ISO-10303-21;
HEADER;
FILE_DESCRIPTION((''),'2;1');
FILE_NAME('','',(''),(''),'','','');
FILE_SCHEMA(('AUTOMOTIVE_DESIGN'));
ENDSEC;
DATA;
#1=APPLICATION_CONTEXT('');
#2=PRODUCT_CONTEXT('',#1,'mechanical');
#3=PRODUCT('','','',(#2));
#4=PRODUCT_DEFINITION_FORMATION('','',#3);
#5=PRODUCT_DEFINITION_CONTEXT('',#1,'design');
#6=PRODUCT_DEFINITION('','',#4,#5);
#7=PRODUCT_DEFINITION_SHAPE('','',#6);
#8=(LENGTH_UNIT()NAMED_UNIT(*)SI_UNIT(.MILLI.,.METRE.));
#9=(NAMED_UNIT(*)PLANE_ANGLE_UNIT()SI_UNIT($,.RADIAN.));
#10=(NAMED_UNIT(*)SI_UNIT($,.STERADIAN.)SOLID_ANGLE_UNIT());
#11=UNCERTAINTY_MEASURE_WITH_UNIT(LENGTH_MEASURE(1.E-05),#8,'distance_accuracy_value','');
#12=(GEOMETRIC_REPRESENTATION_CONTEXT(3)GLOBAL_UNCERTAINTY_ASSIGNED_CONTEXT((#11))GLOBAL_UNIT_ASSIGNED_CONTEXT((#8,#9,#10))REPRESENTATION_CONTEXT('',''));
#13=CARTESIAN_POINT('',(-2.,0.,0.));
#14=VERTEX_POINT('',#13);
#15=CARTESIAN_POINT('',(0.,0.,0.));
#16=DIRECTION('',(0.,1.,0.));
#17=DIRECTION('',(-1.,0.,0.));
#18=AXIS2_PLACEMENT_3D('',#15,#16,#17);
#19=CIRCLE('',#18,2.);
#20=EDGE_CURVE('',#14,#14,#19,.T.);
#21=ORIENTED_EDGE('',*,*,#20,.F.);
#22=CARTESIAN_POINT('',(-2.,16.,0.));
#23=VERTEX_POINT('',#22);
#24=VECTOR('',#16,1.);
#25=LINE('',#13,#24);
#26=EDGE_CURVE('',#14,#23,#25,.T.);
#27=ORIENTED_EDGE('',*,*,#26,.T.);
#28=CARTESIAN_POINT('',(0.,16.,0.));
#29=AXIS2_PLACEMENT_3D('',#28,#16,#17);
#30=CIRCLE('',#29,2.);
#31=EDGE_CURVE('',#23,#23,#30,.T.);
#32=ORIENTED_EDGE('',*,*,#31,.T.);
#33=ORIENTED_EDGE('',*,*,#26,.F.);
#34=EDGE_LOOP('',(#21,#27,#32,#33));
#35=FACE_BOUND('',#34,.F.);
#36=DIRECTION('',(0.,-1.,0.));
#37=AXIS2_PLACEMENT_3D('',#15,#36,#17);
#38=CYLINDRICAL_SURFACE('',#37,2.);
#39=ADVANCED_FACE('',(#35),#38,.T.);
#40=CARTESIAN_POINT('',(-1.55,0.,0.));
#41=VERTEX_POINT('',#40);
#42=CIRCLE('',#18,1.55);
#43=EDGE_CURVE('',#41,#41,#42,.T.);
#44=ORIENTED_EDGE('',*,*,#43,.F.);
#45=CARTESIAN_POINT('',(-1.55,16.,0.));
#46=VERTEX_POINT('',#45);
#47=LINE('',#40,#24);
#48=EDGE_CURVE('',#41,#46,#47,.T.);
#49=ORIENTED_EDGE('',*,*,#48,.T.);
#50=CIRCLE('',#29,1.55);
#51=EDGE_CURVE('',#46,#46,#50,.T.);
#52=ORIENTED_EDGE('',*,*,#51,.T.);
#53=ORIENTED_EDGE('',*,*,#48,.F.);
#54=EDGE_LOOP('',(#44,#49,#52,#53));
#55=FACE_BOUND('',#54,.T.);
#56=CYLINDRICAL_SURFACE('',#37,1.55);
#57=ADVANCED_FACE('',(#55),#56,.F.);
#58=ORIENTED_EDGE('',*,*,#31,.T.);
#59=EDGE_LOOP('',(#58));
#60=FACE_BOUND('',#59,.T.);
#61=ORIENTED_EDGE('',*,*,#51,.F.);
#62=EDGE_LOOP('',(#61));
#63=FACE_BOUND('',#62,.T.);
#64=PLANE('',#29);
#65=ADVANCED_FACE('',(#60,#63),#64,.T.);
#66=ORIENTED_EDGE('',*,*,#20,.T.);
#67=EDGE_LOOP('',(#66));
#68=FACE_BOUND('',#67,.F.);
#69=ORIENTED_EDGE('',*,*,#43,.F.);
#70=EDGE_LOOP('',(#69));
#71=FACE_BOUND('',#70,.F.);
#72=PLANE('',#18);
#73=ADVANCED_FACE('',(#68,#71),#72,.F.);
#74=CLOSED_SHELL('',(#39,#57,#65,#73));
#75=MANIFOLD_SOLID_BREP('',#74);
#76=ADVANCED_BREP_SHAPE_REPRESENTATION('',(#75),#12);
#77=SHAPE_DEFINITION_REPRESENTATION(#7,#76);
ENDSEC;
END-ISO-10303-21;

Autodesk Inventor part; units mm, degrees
ref_plane "YZ Plane" through (0, 0, 0) normal (1, 0, 0) x (0, 1, 0)
ref_plane "XZ Plane" through (0, 0, 0) normal (0, 1, 0) x (-1, 0, 0)
ref_plane "XY Plane" through (0, 0, 0) normal (0, 0, 1) x (1, 0, 0)
sketch "Náčrt1" plane through (0, 0, 0) normal (0, 1, 0) x (-1, 0, 0)
  circle A0 centre (0, 0) radius 2
  circle A1 centre (0, 0) radius 1.55
  dimension "d0" = 4
  dimension "d1" = 3.1
extrude "Vysunutí1" add sketch "Náčrt1" along normal blind 16
properties part number "pipe" material "Bronz, měkký cínový"
